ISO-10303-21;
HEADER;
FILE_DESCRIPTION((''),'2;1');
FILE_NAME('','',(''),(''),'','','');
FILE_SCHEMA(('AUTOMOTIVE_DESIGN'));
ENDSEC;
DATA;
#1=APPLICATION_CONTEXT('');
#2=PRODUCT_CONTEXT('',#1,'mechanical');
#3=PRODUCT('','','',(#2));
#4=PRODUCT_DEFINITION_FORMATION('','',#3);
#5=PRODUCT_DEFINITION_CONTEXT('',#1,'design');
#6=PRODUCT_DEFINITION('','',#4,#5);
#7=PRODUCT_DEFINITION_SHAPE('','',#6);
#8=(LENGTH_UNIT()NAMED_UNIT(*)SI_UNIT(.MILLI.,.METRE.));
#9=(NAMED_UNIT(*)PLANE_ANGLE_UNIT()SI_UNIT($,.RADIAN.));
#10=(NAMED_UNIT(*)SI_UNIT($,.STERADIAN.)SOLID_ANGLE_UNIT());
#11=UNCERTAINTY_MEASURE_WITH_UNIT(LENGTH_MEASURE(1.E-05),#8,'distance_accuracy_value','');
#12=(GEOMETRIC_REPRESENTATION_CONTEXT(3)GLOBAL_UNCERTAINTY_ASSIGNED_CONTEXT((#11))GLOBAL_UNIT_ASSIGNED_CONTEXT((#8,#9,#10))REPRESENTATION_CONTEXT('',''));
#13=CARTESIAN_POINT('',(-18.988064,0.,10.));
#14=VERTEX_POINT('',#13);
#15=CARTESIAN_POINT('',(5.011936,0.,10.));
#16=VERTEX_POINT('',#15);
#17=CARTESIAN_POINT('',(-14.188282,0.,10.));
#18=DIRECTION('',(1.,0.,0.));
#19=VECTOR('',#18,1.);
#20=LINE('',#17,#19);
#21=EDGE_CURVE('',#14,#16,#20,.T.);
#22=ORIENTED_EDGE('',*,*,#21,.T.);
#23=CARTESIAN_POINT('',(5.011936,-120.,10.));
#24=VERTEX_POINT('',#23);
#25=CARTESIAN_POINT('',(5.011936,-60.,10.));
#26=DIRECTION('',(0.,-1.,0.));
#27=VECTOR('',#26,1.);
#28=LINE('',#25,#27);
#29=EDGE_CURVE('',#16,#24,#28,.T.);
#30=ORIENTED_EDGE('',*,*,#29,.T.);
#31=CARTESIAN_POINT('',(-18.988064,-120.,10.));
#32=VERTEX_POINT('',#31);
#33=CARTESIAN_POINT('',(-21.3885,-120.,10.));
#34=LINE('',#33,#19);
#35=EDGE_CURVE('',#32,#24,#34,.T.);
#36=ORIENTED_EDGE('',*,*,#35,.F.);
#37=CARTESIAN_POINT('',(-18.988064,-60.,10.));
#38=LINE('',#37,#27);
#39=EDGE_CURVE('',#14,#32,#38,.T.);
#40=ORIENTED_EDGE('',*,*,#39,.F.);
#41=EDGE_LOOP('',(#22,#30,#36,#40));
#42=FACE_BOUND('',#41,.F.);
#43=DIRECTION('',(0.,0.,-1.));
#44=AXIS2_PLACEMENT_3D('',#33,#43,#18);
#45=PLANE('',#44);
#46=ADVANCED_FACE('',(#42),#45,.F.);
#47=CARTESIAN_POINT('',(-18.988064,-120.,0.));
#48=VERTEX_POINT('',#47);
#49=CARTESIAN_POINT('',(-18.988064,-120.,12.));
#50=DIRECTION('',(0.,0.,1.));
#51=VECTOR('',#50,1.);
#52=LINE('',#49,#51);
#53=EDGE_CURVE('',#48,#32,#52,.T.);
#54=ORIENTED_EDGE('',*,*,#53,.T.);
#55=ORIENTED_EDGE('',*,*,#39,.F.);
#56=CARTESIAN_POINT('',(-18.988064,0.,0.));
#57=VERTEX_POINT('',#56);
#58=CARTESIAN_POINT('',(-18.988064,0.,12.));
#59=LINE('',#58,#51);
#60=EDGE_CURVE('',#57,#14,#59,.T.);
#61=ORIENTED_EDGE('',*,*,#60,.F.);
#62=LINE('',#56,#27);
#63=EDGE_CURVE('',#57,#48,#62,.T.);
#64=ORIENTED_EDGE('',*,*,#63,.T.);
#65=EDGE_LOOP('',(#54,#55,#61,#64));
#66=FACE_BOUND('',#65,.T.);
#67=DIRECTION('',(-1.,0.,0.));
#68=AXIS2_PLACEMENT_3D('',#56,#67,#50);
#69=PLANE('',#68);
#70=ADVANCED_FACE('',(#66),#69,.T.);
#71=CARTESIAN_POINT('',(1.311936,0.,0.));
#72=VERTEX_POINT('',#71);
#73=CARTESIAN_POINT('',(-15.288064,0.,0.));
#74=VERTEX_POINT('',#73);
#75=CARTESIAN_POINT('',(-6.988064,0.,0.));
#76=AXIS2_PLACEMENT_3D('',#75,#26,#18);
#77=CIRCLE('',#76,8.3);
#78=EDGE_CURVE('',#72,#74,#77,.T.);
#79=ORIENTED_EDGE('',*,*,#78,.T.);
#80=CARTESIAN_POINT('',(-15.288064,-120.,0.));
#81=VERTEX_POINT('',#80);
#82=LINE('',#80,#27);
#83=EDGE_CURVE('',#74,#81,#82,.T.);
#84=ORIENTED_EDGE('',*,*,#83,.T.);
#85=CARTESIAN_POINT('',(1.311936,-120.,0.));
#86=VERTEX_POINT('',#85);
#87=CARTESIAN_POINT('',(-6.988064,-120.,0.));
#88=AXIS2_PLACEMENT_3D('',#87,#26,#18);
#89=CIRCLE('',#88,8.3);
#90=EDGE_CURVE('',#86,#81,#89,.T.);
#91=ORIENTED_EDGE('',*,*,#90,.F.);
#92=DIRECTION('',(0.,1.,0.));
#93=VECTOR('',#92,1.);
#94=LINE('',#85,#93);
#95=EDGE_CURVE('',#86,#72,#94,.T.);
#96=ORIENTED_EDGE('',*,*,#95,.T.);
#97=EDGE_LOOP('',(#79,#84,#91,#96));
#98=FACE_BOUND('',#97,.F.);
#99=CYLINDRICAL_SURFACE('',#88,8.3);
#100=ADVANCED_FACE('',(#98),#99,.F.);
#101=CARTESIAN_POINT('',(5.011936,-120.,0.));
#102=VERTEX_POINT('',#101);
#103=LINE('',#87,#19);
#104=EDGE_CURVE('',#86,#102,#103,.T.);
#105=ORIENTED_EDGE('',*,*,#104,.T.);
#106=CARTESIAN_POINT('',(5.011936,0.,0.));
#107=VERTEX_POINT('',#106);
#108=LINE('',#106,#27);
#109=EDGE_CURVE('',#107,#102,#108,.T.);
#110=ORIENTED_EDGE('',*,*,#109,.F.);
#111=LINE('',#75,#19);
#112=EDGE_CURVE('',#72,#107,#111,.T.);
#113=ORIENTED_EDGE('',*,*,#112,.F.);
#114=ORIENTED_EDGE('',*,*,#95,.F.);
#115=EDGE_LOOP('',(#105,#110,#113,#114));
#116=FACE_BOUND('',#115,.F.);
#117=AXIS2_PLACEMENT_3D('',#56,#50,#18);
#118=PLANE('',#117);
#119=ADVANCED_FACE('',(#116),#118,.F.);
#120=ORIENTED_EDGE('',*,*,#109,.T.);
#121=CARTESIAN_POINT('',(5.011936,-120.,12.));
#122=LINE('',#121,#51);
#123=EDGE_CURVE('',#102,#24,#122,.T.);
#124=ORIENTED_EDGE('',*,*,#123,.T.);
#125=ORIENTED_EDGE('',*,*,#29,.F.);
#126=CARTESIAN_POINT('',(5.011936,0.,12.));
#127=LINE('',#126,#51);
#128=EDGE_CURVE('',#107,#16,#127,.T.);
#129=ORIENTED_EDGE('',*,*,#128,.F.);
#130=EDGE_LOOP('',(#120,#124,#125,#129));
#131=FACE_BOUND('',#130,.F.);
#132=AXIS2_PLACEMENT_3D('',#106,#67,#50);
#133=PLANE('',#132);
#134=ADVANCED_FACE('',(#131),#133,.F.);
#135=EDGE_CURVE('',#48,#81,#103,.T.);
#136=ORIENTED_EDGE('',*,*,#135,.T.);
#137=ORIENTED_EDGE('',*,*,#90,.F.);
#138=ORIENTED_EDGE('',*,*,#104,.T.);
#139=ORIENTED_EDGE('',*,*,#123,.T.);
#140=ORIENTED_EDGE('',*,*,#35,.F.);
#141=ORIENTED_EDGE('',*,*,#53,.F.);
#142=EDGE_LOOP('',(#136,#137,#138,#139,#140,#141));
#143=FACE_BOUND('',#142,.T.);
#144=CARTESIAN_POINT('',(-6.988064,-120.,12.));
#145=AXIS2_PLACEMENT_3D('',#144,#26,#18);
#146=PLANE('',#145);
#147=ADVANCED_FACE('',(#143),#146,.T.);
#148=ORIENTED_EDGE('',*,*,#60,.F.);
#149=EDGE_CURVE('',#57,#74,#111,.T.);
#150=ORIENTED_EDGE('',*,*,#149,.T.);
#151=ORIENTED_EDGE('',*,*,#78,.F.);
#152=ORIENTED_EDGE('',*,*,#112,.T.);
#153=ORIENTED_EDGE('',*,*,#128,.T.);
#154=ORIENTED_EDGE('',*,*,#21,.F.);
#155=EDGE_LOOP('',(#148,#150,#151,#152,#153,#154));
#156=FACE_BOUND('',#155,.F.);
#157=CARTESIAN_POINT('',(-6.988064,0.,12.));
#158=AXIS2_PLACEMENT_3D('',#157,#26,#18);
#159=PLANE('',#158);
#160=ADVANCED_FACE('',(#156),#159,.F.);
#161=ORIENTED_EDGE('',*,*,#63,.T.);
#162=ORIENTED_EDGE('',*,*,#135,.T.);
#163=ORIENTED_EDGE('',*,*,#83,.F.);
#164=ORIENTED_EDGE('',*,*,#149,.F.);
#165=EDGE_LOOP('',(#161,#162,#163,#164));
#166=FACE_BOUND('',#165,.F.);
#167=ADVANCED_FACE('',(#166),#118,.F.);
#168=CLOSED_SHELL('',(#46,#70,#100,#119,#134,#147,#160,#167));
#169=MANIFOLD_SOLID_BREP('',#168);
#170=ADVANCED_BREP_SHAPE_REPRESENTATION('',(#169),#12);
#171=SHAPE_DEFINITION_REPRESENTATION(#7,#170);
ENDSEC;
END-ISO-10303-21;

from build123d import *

# Parameters (mm, degrees)
F0_W     = 24
F0_H     = 24
F1_DEPTH = 120
F2_R     = 8.3
F3_DEPTH = 250
F4_W     = 28.767977
F4_H     = 14
F4_W_2   = 2.367542
F4_W_3   = 2.400435
F4_W_4   = 24
F5_DEPTH = 250


with BuildPart() as f1:
    # F0 (on Front) → F1 (new body)
    with BuildSketch(Plane.XZ):
        with Locations((-6.988064, 12)):
            Rectangle(F0_W, F0_H)
    extrude(amount=F1_DEPTH)

    # F2 (on face) → F3 (cut)
    with BuildSketch(Plane.XZ.offset(120)):
        with Locations((-6.988064, 0)):
            Circle(F2_R)
    extrude(amount=-F3_DEPTH, mode=Mode.SUBTRACT)

    # F4 (on face) → F5 (cut)
    with BuildSketch(Plane.XZ.offset(120)):
        with Locations((-7.004511, 17)):
            Rectangle(F4_W, F4_H)
        with Locations((6.195707, 17)):
            Rectangle(F4_W_2, F4_H)
        with Locations((-20.188281, 17)):
            Rectangle(F4_W_3, F4_H)
        with Locations((-6.988064, 17)):
            Rectangle(F4_W_4, F4_H)
    extrude(amount=-F5_DEPTH, mode=Mode.SUBTRACT)


solid = f1.part
